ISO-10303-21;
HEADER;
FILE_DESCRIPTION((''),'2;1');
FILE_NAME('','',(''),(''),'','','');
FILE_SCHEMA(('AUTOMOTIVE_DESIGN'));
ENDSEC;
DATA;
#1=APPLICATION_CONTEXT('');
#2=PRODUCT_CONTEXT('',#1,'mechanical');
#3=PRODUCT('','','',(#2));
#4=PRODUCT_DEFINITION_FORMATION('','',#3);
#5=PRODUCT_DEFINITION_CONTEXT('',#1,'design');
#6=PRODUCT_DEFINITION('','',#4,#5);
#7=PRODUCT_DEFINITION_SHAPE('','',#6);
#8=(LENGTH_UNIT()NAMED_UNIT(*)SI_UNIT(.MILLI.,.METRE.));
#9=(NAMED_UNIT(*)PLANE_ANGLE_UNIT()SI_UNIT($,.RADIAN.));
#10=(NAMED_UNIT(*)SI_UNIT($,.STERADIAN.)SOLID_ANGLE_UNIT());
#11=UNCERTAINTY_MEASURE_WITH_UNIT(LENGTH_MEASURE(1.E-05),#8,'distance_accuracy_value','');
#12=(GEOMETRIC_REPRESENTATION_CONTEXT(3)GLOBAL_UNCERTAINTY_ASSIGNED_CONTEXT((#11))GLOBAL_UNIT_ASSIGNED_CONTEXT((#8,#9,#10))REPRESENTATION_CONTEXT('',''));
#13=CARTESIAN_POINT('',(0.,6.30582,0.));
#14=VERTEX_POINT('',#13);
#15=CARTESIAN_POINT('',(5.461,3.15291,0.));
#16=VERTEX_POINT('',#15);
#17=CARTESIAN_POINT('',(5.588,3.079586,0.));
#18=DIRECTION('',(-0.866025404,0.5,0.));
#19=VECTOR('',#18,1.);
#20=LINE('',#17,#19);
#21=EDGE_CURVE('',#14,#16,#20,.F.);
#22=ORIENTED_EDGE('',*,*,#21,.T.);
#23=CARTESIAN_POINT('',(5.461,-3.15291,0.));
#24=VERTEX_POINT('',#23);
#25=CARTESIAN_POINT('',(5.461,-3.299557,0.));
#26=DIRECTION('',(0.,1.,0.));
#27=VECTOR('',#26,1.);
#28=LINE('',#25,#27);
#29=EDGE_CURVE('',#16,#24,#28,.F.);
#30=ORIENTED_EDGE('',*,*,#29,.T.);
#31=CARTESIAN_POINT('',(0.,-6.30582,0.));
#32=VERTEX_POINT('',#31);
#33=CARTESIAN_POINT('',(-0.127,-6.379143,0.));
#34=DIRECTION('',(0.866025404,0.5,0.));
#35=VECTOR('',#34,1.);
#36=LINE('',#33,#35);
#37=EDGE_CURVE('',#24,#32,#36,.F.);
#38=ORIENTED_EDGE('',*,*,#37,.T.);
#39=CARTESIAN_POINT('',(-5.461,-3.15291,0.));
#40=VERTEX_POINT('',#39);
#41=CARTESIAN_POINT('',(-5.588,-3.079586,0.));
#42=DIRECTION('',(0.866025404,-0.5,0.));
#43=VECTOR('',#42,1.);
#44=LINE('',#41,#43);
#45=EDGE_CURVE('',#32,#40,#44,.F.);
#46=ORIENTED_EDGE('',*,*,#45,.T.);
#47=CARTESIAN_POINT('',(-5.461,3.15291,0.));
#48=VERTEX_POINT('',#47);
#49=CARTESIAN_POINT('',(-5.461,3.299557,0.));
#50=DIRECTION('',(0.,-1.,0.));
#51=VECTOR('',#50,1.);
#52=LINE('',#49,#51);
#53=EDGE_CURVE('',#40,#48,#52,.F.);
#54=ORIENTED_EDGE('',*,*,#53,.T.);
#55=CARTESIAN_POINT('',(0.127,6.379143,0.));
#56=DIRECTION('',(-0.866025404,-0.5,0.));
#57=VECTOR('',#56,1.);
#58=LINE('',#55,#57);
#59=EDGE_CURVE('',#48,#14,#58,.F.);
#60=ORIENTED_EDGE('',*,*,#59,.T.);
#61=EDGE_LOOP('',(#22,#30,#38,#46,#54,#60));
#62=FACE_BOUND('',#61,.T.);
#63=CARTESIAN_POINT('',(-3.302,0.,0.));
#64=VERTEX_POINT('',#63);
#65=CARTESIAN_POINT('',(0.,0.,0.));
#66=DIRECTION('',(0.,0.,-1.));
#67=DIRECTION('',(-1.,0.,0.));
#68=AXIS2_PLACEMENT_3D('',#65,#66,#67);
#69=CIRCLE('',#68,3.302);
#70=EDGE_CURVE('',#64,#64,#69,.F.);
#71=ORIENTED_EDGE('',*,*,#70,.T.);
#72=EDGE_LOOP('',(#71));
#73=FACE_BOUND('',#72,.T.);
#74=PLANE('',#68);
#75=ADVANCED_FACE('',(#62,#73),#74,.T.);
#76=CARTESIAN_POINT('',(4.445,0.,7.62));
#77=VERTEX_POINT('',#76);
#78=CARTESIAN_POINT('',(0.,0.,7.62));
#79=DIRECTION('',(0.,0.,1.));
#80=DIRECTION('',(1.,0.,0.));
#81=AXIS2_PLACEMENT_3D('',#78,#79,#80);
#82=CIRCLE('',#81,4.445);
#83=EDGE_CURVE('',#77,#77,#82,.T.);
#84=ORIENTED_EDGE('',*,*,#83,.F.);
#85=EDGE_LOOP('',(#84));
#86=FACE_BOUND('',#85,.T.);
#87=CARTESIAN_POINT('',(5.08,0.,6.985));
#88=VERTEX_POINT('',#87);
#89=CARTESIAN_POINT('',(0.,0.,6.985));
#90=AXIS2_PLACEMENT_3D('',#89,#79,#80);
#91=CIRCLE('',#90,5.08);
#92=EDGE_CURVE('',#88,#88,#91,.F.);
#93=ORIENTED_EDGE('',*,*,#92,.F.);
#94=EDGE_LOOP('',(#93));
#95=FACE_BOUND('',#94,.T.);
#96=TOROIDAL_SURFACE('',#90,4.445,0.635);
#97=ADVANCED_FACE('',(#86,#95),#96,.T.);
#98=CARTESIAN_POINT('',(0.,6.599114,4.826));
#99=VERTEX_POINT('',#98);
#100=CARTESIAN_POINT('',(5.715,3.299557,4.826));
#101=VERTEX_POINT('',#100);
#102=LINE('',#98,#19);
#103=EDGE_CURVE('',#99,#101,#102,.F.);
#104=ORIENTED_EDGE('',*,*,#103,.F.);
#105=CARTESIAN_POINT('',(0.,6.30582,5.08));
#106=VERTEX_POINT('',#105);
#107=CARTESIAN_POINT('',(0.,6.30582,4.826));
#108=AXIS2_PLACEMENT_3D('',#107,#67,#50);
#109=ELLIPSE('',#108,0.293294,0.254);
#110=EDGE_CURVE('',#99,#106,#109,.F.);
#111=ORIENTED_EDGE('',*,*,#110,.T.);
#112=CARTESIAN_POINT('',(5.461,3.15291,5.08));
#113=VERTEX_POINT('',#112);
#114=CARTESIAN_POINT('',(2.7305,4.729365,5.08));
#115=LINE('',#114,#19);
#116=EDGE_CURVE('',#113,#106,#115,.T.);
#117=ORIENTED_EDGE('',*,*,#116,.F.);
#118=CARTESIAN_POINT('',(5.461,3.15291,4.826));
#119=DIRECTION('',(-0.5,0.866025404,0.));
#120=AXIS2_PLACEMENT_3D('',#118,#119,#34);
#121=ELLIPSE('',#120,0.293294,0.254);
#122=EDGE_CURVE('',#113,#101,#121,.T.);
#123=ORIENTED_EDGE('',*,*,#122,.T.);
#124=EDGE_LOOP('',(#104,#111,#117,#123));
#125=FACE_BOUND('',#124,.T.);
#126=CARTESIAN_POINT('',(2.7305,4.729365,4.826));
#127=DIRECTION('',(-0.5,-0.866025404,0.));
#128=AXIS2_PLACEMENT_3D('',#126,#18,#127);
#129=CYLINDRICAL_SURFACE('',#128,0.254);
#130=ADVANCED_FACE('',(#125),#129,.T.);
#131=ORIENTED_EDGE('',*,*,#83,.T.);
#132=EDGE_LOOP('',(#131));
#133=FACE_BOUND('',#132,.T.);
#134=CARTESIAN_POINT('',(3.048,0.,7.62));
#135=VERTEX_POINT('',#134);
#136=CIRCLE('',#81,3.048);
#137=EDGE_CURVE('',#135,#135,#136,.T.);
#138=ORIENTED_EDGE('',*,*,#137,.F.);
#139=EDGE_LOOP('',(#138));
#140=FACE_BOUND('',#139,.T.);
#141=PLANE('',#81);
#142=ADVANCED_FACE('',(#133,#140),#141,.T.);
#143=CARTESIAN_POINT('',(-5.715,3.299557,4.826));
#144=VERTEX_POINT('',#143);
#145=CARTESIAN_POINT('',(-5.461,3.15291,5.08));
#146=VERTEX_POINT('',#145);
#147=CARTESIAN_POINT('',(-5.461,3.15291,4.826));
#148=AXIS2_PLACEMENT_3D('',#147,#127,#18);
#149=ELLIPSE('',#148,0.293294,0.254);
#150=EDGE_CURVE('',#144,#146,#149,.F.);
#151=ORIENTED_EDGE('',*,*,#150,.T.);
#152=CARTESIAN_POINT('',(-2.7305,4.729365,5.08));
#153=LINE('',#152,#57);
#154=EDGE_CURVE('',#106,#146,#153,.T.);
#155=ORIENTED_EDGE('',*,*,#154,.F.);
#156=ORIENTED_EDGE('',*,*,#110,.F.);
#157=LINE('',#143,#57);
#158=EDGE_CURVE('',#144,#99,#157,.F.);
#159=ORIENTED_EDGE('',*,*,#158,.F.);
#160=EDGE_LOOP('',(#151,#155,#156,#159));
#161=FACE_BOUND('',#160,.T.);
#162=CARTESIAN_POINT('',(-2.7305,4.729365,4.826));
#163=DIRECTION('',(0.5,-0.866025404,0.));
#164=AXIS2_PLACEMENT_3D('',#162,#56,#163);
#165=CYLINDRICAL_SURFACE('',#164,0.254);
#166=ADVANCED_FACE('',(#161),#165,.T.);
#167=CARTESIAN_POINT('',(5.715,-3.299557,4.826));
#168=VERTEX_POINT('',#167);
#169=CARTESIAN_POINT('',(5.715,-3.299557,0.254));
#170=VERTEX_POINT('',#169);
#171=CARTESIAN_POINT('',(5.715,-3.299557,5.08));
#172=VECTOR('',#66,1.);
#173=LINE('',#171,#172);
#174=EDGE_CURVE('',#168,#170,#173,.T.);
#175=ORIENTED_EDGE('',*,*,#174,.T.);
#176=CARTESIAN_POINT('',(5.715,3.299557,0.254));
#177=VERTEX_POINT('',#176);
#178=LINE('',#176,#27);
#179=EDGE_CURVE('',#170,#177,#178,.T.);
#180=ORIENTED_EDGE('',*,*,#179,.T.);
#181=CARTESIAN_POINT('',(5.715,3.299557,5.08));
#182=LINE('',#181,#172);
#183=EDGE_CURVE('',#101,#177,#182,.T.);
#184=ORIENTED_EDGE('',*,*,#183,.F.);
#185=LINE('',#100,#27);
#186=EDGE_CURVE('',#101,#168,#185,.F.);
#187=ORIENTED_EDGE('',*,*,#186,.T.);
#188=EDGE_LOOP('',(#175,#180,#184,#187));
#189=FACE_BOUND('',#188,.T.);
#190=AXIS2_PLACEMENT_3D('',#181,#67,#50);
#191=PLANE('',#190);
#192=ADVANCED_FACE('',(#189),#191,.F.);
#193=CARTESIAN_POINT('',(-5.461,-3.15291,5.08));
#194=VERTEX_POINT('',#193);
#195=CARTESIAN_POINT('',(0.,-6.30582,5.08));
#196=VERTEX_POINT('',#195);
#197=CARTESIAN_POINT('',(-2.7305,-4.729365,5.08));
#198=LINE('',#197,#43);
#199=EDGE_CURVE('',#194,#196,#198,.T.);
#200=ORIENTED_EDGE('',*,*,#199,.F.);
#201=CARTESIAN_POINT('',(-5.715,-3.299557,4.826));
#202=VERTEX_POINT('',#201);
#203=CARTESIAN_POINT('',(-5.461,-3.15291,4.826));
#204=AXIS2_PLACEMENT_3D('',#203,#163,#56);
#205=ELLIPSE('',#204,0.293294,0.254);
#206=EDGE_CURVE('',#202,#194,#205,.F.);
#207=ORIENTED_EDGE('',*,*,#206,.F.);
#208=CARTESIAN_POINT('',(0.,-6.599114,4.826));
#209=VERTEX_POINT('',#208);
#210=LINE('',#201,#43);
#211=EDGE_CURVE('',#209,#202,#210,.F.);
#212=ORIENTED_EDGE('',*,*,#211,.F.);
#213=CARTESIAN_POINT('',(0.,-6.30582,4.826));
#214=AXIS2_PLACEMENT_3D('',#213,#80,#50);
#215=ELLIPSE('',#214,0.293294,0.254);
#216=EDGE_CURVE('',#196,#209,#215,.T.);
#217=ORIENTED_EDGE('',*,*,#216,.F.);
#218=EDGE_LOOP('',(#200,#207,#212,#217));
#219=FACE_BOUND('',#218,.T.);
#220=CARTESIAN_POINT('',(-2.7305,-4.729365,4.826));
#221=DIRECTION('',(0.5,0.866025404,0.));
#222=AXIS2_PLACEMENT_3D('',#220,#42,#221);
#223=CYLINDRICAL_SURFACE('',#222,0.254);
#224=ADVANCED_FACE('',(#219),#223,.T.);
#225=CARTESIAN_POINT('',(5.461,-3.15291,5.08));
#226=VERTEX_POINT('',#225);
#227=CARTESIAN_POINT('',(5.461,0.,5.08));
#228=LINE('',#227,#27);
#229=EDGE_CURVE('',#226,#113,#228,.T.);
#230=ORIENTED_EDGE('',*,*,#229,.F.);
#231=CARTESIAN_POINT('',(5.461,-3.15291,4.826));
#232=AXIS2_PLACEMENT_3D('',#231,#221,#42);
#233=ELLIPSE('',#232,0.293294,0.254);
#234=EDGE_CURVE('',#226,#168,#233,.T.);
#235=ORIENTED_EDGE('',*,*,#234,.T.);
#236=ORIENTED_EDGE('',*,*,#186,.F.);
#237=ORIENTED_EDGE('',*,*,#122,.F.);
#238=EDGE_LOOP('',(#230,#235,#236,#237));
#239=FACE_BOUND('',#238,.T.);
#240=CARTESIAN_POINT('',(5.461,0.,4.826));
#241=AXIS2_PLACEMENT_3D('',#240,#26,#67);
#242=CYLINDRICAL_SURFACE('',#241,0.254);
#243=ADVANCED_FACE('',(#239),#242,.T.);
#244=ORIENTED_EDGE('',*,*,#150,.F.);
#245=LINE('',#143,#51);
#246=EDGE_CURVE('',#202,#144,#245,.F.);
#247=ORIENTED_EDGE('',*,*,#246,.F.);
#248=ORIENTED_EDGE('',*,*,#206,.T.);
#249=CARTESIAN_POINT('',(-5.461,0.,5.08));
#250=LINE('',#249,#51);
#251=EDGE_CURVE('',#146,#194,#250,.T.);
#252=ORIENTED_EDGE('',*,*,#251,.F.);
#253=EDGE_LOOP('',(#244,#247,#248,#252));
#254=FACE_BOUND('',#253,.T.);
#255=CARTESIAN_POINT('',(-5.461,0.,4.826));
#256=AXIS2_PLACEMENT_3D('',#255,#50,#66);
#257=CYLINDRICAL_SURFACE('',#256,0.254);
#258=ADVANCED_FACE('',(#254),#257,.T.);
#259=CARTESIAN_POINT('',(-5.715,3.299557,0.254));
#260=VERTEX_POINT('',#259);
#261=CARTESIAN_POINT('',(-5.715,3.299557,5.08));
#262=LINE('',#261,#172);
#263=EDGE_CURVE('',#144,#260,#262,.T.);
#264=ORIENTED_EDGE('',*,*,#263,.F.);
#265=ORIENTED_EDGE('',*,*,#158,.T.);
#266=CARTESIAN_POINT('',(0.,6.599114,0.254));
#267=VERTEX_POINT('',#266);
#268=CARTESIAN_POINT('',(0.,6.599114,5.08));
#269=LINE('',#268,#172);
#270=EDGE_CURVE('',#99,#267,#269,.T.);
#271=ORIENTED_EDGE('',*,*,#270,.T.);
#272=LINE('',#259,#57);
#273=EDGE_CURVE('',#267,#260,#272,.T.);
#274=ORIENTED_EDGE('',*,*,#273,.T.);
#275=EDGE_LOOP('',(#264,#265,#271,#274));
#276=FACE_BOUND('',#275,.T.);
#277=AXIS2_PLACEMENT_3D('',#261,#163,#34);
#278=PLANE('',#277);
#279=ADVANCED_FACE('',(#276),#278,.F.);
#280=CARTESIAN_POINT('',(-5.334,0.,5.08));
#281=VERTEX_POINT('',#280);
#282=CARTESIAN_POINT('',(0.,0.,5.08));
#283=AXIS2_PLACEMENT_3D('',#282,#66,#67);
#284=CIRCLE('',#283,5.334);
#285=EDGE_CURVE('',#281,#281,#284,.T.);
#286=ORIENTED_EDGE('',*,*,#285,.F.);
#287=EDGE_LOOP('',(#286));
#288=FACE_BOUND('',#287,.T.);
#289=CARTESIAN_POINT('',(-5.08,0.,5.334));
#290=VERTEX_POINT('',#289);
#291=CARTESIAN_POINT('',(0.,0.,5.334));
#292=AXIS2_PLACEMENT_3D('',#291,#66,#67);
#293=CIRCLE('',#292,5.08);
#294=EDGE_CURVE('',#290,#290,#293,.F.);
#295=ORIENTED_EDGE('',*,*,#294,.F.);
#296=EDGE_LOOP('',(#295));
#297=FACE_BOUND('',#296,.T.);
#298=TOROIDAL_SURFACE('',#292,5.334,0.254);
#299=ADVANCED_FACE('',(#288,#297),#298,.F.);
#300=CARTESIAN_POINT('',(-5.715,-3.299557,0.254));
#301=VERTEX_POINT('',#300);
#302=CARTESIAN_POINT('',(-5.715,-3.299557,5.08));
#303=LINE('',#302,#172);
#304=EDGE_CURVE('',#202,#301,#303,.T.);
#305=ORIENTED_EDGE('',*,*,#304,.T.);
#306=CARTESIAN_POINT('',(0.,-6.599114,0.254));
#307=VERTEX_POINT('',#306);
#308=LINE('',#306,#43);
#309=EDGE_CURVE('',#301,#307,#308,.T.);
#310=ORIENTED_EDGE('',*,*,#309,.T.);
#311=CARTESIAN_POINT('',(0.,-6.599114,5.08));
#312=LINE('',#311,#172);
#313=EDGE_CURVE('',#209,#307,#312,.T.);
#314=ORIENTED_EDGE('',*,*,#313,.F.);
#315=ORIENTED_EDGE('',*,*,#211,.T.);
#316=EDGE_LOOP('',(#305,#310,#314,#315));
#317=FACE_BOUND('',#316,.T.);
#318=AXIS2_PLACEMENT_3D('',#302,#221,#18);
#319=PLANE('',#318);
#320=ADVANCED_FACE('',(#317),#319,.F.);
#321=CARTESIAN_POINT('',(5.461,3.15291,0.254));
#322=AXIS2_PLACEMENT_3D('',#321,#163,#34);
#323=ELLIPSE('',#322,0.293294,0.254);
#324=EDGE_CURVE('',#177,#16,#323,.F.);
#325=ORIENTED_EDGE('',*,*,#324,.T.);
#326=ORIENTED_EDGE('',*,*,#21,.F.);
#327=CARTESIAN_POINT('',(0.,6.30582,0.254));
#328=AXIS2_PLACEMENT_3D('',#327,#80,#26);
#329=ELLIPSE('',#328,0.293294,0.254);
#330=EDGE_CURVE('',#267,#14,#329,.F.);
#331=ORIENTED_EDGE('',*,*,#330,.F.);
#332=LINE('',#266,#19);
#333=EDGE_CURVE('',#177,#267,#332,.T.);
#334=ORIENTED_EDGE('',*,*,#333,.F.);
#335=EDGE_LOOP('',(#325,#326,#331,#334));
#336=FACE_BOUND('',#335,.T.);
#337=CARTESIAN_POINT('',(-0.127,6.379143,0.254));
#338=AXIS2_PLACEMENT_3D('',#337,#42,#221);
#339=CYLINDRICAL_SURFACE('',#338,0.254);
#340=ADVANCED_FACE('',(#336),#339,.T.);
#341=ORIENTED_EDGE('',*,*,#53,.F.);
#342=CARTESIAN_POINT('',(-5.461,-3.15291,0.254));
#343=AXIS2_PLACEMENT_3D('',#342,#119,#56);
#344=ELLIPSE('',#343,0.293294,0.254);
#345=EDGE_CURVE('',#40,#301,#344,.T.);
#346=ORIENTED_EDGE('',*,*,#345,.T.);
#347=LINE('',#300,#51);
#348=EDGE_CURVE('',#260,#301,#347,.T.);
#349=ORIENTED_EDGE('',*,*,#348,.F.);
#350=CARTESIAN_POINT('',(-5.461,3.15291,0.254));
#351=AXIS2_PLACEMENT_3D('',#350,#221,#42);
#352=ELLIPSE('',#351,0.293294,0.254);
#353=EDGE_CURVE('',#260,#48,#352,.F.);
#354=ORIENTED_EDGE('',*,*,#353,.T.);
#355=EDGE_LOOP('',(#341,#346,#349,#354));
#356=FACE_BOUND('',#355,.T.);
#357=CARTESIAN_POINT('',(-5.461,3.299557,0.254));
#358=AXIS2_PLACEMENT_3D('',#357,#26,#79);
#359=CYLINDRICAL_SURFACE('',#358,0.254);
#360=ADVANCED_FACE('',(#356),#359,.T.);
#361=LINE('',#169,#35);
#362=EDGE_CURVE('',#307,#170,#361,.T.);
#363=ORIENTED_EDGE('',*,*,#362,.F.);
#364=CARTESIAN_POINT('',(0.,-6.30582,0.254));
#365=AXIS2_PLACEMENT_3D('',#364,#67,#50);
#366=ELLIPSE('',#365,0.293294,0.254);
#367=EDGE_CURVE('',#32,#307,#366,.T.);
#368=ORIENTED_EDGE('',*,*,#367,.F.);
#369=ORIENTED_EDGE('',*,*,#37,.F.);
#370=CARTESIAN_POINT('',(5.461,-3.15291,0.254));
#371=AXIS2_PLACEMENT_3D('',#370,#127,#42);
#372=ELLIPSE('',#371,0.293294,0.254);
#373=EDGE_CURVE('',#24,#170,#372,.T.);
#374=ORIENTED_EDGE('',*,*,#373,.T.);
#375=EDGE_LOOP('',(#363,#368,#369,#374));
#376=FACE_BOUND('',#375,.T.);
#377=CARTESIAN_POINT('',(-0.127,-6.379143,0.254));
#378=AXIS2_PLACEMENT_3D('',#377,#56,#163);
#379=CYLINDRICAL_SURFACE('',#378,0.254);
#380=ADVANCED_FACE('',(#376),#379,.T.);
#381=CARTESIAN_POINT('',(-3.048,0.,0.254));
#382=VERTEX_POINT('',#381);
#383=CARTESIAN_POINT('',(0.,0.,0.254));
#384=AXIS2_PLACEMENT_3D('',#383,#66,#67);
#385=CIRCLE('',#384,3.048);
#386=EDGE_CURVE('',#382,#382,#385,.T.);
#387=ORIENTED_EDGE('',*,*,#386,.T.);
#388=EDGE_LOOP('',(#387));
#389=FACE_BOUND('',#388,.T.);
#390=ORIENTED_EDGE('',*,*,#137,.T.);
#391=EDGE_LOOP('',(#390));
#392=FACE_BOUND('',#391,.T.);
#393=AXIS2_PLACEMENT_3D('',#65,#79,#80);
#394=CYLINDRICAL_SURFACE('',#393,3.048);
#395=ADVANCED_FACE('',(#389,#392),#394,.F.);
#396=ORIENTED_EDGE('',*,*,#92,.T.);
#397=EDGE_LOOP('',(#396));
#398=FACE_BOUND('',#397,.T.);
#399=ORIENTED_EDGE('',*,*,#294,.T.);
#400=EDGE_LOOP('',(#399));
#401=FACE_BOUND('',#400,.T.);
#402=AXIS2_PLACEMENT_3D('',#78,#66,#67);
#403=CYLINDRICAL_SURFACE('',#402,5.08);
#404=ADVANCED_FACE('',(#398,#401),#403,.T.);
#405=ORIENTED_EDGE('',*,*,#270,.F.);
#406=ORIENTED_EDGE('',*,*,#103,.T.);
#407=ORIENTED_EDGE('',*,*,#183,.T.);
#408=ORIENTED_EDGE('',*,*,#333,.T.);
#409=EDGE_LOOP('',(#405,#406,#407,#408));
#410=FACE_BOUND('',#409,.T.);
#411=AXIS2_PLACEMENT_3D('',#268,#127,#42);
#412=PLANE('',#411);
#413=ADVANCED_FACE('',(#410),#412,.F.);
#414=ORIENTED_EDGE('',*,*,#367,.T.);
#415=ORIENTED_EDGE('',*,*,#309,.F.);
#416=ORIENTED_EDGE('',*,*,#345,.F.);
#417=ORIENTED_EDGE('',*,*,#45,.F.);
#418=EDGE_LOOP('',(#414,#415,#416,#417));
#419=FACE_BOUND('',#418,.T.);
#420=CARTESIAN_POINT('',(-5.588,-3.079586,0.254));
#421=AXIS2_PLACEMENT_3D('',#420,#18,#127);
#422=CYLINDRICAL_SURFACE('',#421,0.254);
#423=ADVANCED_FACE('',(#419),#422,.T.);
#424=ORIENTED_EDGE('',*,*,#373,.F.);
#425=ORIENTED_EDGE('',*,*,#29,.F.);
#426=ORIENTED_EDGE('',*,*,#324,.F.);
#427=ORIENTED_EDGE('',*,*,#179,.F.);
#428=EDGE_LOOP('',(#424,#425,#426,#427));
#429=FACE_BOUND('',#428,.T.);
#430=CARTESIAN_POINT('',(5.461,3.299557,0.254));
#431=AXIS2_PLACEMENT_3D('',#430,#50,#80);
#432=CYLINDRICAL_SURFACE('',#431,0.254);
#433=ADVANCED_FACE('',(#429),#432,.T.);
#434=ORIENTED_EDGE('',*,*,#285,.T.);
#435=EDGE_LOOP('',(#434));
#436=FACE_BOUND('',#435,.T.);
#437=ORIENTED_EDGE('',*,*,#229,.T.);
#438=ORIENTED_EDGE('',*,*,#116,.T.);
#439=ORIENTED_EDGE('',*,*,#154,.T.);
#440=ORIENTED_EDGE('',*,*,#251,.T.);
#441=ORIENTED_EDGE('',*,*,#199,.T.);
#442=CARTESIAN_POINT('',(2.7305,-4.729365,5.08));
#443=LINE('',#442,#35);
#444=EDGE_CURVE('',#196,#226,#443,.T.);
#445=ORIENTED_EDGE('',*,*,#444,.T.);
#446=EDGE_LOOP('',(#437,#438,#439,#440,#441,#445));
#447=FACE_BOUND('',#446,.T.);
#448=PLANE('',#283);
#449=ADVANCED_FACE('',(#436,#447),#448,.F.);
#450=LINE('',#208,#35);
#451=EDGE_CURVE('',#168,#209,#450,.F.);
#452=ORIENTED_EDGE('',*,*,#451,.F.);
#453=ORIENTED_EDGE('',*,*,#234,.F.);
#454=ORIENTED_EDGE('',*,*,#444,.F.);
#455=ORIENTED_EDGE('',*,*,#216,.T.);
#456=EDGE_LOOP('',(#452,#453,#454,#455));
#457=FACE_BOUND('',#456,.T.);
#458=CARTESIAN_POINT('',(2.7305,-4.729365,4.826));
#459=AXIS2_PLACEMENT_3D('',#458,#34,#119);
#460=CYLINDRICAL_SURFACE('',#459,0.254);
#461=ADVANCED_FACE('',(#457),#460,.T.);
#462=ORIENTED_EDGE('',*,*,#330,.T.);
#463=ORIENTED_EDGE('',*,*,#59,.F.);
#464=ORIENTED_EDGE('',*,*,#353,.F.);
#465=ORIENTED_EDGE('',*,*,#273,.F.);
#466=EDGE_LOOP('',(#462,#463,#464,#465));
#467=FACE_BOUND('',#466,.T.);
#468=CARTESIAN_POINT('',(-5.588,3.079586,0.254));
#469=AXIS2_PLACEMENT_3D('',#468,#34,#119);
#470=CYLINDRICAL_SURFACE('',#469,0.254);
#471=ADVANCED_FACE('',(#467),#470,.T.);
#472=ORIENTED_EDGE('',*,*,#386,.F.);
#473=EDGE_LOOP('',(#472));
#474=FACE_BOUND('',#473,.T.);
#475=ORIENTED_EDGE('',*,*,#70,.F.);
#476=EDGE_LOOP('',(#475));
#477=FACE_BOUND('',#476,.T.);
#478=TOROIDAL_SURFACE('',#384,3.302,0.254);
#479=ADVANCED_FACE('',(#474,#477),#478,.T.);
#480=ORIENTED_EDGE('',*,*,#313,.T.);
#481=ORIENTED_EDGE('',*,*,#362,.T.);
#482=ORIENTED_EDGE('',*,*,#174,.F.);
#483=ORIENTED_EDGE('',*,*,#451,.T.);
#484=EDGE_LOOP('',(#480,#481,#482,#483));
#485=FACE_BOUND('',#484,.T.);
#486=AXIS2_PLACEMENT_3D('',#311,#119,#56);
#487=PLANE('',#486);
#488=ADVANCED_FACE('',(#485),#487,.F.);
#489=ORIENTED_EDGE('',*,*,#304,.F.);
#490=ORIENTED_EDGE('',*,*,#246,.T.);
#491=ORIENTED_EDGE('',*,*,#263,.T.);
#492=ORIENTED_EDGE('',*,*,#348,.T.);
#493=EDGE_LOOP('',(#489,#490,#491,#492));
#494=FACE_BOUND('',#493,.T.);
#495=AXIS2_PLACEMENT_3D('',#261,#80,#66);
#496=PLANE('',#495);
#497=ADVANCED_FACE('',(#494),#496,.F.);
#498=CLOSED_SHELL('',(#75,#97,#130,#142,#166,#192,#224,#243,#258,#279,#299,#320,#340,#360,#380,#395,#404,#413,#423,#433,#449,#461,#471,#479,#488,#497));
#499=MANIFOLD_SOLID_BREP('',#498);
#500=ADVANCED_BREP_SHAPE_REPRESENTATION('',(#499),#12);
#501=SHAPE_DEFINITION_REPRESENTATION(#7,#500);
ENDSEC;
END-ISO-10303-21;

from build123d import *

# Parameters (mm, degrees)
BOSS_EXTRUDE1_DEPTH = 5.08
SKETCH3_R           = 5.08
BOSS_EXTRUDE3_DEPTH = 2.54
FILLET1_R           = 0.635
SKETCH4_R           = 3.048
CUT_EXTRUDE1_DEPTH  = 12.58766262
FILLET2_R           = 0.254
FILLET3_R           = 0.254


with BuildPart() as part:
    # Sketch1 → Boss-Extrude1 (new body)
    with BuildSketch(Plane.XY):
        Polygon((-5.715, 3.299556788), (-5.715, -3.299556788), (0, -6.599113577), (5.715, -3.299556788), (5.715, 3.299556788), (0, 6.599113577), align=None)
    extrude(amount=BOSS_EXTRUDE1_DEPTH)

    # Sketch3 → Boss-Extrude3 (add)
    with BuildSketch(Plane.XY.offset(5.08)):
        Circle(SKETCH3_R)
    extrude(amount=BOSS_EXTRUDE3_DEPTH)

    # Fillet1
    fillet1_edges = [part.edges().sort_by_distance(p)[0] for p in [
        (-5.08, 0, 7.62),
    ]]
    fillet(fillet1_edges, radius=FILLET1_R)

    # Sketch4 → Cut-Extrude1 (cut, through all)
    with BuildSketch(Plane.XY.offset(7.62)):
        Circle(SKETCH4_R)
    extrude(amount=-CUT_EXTRUDE1_DEPTH, mode=Mode.SUBTRACT)

    # Fillet2
    fillet2_edges = [part.edges().sort_by_distance(p)[0] for p in [
        (-3.048, 0, 0),
        (2.8575, 4.949335183, 0),
        (5.715, 0, 0),
        (2.8575, -4.949335183, 0),
        (-2.8575, -4.949335183, 0),
        (-5.715, 0, 0),
        (-2.8575, 4.949335183, 0),
    ]]
    fillet(fillet2_edges, radius=FILLET2_R)

    # Fillet3
    fillet3_edges = [part.edges().sort_by_distance(p)[0] for p in [
        (-2.8575, -4.949335183, 5.08),
        (2.8575, -4.949335183, 5.08),
        (5.715, 0, 5.08),
        (-5.08, 0, 5.08),
        (2.8575, 4.949335183, 5.08),
        (-2.8575, 4.949335183, 5.08),
        (-5.715, 0, 5.08),
    ]]
    fillet(fillet3_edges, radius=FILLET3_R)


solid = part.part
